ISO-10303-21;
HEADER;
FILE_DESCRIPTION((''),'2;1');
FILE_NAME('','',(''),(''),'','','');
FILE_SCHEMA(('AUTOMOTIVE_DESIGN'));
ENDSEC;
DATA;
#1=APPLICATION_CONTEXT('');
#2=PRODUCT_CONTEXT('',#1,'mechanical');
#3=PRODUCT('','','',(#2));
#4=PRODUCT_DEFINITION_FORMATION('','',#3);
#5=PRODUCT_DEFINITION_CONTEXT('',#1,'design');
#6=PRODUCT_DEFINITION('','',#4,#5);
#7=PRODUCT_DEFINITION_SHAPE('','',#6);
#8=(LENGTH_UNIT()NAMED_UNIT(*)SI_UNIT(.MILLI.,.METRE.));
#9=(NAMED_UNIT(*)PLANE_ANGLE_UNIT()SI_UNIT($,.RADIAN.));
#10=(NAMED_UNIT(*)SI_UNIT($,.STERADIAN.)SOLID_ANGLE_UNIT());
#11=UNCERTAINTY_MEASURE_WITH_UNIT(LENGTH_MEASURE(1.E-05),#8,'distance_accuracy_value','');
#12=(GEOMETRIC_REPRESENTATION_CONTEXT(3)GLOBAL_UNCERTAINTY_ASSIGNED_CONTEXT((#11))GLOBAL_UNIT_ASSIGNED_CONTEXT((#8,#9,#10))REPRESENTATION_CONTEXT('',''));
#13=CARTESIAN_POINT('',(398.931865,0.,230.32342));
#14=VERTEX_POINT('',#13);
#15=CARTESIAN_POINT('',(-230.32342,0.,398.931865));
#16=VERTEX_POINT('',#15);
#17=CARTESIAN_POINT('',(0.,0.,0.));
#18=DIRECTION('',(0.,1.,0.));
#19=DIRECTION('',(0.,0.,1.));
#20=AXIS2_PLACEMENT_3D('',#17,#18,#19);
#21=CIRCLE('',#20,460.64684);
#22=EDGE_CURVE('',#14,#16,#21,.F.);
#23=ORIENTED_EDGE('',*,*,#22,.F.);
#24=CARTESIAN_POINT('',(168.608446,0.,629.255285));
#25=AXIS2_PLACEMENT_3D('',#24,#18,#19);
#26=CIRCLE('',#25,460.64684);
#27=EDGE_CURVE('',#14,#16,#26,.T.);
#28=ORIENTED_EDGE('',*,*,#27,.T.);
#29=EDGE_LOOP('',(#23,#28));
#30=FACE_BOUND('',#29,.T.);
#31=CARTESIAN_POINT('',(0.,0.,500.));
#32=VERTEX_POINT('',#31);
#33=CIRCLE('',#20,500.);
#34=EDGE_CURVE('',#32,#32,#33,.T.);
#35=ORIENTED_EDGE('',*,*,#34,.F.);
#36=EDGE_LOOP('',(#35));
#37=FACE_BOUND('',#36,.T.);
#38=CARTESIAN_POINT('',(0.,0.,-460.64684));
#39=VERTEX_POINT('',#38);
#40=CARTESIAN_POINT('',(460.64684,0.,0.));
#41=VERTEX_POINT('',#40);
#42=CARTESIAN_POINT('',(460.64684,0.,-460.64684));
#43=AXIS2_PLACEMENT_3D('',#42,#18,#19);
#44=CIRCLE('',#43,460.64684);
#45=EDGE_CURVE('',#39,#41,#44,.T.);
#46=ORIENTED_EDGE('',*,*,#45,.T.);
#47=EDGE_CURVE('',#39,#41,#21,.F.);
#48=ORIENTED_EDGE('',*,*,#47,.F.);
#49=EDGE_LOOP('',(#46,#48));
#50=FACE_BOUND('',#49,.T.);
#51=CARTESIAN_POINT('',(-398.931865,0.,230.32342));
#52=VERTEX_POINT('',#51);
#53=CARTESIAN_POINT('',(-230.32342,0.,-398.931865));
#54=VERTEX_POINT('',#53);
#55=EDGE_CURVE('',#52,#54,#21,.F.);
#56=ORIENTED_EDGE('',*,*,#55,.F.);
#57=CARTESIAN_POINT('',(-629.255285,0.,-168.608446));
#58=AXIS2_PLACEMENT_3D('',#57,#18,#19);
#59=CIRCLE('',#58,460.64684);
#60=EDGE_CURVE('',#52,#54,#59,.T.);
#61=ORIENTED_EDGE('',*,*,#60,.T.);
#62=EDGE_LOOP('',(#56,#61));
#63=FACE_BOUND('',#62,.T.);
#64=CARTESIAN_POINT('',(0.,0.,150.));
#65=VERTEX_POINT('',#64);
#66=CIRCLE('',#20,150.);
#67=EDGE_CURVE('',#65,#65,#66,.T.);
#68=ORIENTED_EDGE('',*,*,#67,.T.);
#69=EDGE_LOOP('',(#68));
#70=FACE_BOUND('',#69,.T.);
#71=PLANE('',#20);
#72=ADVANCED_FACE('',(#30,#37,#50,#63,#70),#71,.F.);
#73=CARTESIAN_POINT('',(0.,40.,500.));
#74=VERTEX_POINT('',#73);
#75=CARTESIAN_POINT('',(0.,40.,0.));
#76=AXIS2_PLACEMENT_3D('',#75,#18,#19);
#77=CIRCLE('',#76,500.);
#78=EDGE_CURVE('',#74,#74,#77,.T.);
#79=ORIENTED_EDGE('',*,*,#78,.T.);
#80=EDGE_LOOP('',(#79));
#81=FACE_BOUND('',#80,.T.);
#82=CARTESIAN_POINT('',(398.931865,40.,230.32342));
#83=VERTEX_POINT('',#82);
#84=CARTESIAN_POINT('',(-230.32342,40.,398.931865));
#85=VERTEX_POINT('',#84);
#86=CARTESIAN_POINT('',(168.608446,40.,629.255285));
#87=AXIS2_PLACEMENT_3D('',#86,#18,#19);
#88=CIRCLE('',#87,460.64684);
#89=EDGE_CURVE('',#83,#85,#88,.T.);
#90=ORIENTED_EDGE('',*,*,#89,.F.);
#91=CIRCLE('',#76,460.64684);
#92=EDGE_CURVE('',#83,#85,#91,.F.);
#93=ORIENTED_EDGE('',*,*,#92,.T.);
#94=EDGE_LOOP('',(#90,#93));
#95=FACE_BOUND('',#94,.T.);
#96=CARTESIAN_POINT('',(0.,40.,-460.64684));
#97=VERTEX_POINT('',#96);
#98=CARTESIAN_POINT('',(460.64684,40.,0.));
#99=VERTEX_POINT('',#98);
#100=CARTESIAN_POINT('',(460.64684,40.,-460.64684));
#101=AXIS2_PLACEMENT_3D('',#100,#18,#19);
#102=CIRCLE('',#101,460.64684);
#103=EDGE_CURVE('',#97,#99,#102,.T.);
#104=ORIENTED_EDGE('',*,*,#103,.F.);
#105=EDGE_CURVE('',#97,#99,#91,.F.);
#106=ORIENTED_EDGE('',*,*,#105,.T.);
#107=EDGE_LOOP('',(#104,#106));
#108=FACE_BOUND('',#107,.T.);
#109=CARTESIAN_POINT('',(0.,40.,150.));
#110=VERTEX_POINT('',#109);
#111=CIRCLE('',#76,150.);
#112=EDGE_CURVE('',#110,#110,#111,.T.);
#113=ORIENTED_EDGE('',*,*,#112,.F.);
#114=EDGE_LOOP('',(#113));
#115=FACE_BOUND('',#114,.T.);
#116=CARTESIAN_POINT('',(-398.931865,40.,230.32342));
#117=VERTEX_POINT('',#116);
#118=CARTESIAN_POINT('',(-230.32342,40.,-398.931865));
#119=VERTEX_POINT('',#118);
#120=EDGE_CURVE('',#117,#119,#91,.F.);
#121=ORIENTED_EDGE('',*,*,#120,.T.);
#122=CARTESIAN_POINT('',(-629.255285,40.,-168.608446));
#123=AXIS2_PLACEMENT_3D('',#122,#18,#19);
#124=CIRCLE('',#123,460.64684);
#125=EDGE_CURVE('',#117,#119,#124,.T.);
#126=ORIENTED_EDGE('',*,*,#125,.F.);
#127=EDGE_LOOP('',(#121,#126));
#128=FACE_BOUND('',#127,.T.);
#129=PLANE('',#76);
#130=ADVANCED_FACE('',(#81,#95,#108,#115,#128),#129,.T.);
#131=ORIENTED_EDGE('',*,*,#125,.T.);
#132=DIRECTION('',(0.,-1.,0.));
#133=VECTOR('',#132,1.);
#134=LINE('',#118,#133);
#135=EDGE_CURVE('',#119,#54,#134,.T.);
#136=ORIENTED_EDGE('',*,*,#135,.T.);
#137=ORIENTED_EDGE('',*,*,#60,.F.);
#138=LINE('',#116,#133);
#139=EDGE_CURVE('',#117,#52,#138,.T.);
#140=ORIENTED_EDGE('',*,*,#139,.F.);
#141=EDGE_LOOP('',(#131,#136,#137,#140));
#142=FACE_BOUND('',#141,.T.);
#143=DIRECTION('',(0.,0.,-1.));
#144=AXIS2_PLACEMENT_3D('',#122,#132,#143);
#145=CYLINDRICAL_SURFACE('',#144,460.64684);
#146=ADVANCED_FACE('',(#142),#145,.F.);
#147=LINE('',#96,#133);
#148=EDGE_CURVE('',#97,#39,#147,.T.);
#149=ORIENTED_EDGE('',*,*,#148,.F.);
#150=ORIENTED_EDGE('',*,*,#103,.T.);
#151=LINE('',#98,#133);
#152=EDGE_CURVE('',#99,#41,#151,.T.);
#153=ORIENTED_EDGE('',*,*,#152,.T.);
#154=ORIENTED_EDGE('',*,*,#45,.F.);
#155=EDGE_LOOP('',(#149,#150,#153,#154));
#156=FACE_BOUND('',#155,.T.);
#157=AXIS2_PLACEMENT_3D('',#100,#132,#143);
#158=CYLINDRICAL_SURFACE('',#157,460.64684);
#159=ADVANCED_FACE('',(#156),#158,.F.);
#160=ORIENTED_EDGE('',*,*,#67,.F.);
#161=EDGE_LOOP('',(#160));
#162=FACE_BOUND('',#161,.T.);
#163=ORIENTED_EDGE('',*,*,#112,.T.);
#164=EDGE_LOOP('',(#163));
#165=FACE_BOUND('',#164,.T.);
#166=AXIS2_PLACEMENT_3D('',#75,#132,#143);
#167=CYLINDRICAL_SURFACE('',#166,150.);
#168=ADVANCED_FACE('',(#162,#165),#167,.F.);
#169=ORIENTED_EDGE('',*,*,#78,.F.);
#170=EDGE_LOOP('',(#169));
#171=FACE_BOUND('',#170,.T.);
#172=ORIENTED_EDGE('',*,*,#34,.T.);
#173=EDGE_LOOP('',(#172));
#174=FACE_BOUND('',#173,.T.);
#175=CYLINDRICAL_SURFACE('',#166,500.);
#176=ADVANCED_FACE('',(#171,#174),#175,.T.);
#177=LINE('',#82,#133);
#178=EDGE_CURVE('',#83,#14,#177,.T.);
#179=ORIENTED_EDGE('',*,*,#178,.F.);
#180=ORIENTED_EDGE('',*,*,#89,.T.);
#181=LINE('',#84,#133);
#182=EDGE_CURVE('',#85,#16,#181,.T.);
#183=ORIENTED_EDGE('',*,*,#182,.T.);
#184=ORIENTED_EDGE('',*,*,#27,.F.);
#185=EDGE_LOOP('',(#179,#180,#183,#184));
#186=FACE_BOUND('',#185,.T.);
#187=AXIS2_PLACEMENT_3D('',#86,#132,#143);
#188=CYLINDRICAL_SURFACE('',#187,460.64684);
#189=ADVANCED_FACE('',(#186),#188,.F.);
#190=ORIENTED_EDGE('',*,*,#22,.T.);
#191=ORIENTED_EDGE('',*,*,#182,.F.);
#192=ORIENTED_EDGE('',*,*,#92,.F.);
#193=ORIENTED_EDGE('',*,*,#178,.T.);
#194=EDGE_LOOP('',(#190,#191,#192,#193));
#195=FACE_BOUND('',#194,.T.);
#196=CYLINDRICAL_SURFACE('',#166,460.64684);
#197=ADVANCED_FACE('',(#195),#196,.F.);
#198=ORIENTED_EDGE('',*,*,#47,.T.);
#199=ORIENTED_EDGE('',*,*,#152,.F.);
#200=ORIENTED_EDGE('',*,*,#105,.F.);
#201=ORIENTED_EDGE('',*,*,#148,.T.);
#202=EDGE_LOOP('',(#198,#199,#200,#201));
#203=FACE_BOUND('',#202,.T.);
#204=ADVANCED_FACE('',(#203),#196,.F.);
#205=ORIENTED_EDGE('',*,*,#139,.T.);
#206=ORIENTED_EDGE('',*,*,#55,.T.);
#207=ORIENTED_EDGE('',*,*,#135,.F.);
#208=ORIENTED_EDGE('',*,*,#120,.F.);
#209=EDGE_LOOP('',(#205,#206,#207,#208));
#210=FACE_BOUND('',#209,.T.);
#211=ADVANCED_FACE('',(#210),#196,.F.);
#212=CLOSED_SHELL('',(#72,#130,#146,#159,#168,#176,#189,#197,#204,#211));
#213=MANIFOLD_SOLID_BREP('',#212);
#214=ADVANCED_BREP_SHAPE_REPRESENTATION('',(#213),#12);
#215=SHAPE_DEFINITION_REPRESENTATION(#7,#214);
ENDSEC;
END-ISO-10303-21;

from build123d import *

# Parameters (mm, degrees)
CROQUIS1_R              = 500
CROQUIS1_R_2            = 150
SALIENTE_EXTRUIR1_DEPTH = 40


with BuildPart() as part:
    # Croquis1 → Saliente-Extruir1 (new body)
    with BuildSketch(Plane(origin=(0, 0, 0), x_dir=(1, 0, 0), z_dir=(0, 1, 0))):
        with Locations(Location((0, 0, 0), (0, 0, 270))):
            Circle(CROQUIS1_R)
        with Locations(Location((0, 0, 0), (0, 0, 270))):
            Circle(CROQUIS1_R_2, mode=Mode.SUBTRACT)
        with BuildLine():
            ThreePointArc((-398.931865484, -230.323419925), (-184.304605999, 49.384270339), (-230.323419925, 398.931865484))
            ThreePointArc((-230.323419925, 398.931865484), (-444.95067941, 119.22417522), (-398.931865484, -230.323419925))
        make_face(mode=Mode.SUBTRACT)
        with BuildLine():
            ThreePointArc((398.931865484, -230.323419925), (49.384270339, -184.304605999), (-230.323419925, -398.931865484))
            ThreePointArc((-230.323419925, -398.931865484), (119.22417522, -444.95067941), (398.931865484, -230.323419925))
        make_face(mode=Mode.SUBTRACT)
        with BuildLine():
            ThreePointArc((0, 460.646839851), (134.92033566, 134.92033566), (460.646839851, 0))
            ThreePointArc((460.646839851, 0), (325.726504191, 325.726504191), (0, 460.646839851))
        make_face(mode=Mode.SUBTRACT)
    extrude(amount=SALIENTE_EXTRUIR1_DEPTH)


solid = part.part
